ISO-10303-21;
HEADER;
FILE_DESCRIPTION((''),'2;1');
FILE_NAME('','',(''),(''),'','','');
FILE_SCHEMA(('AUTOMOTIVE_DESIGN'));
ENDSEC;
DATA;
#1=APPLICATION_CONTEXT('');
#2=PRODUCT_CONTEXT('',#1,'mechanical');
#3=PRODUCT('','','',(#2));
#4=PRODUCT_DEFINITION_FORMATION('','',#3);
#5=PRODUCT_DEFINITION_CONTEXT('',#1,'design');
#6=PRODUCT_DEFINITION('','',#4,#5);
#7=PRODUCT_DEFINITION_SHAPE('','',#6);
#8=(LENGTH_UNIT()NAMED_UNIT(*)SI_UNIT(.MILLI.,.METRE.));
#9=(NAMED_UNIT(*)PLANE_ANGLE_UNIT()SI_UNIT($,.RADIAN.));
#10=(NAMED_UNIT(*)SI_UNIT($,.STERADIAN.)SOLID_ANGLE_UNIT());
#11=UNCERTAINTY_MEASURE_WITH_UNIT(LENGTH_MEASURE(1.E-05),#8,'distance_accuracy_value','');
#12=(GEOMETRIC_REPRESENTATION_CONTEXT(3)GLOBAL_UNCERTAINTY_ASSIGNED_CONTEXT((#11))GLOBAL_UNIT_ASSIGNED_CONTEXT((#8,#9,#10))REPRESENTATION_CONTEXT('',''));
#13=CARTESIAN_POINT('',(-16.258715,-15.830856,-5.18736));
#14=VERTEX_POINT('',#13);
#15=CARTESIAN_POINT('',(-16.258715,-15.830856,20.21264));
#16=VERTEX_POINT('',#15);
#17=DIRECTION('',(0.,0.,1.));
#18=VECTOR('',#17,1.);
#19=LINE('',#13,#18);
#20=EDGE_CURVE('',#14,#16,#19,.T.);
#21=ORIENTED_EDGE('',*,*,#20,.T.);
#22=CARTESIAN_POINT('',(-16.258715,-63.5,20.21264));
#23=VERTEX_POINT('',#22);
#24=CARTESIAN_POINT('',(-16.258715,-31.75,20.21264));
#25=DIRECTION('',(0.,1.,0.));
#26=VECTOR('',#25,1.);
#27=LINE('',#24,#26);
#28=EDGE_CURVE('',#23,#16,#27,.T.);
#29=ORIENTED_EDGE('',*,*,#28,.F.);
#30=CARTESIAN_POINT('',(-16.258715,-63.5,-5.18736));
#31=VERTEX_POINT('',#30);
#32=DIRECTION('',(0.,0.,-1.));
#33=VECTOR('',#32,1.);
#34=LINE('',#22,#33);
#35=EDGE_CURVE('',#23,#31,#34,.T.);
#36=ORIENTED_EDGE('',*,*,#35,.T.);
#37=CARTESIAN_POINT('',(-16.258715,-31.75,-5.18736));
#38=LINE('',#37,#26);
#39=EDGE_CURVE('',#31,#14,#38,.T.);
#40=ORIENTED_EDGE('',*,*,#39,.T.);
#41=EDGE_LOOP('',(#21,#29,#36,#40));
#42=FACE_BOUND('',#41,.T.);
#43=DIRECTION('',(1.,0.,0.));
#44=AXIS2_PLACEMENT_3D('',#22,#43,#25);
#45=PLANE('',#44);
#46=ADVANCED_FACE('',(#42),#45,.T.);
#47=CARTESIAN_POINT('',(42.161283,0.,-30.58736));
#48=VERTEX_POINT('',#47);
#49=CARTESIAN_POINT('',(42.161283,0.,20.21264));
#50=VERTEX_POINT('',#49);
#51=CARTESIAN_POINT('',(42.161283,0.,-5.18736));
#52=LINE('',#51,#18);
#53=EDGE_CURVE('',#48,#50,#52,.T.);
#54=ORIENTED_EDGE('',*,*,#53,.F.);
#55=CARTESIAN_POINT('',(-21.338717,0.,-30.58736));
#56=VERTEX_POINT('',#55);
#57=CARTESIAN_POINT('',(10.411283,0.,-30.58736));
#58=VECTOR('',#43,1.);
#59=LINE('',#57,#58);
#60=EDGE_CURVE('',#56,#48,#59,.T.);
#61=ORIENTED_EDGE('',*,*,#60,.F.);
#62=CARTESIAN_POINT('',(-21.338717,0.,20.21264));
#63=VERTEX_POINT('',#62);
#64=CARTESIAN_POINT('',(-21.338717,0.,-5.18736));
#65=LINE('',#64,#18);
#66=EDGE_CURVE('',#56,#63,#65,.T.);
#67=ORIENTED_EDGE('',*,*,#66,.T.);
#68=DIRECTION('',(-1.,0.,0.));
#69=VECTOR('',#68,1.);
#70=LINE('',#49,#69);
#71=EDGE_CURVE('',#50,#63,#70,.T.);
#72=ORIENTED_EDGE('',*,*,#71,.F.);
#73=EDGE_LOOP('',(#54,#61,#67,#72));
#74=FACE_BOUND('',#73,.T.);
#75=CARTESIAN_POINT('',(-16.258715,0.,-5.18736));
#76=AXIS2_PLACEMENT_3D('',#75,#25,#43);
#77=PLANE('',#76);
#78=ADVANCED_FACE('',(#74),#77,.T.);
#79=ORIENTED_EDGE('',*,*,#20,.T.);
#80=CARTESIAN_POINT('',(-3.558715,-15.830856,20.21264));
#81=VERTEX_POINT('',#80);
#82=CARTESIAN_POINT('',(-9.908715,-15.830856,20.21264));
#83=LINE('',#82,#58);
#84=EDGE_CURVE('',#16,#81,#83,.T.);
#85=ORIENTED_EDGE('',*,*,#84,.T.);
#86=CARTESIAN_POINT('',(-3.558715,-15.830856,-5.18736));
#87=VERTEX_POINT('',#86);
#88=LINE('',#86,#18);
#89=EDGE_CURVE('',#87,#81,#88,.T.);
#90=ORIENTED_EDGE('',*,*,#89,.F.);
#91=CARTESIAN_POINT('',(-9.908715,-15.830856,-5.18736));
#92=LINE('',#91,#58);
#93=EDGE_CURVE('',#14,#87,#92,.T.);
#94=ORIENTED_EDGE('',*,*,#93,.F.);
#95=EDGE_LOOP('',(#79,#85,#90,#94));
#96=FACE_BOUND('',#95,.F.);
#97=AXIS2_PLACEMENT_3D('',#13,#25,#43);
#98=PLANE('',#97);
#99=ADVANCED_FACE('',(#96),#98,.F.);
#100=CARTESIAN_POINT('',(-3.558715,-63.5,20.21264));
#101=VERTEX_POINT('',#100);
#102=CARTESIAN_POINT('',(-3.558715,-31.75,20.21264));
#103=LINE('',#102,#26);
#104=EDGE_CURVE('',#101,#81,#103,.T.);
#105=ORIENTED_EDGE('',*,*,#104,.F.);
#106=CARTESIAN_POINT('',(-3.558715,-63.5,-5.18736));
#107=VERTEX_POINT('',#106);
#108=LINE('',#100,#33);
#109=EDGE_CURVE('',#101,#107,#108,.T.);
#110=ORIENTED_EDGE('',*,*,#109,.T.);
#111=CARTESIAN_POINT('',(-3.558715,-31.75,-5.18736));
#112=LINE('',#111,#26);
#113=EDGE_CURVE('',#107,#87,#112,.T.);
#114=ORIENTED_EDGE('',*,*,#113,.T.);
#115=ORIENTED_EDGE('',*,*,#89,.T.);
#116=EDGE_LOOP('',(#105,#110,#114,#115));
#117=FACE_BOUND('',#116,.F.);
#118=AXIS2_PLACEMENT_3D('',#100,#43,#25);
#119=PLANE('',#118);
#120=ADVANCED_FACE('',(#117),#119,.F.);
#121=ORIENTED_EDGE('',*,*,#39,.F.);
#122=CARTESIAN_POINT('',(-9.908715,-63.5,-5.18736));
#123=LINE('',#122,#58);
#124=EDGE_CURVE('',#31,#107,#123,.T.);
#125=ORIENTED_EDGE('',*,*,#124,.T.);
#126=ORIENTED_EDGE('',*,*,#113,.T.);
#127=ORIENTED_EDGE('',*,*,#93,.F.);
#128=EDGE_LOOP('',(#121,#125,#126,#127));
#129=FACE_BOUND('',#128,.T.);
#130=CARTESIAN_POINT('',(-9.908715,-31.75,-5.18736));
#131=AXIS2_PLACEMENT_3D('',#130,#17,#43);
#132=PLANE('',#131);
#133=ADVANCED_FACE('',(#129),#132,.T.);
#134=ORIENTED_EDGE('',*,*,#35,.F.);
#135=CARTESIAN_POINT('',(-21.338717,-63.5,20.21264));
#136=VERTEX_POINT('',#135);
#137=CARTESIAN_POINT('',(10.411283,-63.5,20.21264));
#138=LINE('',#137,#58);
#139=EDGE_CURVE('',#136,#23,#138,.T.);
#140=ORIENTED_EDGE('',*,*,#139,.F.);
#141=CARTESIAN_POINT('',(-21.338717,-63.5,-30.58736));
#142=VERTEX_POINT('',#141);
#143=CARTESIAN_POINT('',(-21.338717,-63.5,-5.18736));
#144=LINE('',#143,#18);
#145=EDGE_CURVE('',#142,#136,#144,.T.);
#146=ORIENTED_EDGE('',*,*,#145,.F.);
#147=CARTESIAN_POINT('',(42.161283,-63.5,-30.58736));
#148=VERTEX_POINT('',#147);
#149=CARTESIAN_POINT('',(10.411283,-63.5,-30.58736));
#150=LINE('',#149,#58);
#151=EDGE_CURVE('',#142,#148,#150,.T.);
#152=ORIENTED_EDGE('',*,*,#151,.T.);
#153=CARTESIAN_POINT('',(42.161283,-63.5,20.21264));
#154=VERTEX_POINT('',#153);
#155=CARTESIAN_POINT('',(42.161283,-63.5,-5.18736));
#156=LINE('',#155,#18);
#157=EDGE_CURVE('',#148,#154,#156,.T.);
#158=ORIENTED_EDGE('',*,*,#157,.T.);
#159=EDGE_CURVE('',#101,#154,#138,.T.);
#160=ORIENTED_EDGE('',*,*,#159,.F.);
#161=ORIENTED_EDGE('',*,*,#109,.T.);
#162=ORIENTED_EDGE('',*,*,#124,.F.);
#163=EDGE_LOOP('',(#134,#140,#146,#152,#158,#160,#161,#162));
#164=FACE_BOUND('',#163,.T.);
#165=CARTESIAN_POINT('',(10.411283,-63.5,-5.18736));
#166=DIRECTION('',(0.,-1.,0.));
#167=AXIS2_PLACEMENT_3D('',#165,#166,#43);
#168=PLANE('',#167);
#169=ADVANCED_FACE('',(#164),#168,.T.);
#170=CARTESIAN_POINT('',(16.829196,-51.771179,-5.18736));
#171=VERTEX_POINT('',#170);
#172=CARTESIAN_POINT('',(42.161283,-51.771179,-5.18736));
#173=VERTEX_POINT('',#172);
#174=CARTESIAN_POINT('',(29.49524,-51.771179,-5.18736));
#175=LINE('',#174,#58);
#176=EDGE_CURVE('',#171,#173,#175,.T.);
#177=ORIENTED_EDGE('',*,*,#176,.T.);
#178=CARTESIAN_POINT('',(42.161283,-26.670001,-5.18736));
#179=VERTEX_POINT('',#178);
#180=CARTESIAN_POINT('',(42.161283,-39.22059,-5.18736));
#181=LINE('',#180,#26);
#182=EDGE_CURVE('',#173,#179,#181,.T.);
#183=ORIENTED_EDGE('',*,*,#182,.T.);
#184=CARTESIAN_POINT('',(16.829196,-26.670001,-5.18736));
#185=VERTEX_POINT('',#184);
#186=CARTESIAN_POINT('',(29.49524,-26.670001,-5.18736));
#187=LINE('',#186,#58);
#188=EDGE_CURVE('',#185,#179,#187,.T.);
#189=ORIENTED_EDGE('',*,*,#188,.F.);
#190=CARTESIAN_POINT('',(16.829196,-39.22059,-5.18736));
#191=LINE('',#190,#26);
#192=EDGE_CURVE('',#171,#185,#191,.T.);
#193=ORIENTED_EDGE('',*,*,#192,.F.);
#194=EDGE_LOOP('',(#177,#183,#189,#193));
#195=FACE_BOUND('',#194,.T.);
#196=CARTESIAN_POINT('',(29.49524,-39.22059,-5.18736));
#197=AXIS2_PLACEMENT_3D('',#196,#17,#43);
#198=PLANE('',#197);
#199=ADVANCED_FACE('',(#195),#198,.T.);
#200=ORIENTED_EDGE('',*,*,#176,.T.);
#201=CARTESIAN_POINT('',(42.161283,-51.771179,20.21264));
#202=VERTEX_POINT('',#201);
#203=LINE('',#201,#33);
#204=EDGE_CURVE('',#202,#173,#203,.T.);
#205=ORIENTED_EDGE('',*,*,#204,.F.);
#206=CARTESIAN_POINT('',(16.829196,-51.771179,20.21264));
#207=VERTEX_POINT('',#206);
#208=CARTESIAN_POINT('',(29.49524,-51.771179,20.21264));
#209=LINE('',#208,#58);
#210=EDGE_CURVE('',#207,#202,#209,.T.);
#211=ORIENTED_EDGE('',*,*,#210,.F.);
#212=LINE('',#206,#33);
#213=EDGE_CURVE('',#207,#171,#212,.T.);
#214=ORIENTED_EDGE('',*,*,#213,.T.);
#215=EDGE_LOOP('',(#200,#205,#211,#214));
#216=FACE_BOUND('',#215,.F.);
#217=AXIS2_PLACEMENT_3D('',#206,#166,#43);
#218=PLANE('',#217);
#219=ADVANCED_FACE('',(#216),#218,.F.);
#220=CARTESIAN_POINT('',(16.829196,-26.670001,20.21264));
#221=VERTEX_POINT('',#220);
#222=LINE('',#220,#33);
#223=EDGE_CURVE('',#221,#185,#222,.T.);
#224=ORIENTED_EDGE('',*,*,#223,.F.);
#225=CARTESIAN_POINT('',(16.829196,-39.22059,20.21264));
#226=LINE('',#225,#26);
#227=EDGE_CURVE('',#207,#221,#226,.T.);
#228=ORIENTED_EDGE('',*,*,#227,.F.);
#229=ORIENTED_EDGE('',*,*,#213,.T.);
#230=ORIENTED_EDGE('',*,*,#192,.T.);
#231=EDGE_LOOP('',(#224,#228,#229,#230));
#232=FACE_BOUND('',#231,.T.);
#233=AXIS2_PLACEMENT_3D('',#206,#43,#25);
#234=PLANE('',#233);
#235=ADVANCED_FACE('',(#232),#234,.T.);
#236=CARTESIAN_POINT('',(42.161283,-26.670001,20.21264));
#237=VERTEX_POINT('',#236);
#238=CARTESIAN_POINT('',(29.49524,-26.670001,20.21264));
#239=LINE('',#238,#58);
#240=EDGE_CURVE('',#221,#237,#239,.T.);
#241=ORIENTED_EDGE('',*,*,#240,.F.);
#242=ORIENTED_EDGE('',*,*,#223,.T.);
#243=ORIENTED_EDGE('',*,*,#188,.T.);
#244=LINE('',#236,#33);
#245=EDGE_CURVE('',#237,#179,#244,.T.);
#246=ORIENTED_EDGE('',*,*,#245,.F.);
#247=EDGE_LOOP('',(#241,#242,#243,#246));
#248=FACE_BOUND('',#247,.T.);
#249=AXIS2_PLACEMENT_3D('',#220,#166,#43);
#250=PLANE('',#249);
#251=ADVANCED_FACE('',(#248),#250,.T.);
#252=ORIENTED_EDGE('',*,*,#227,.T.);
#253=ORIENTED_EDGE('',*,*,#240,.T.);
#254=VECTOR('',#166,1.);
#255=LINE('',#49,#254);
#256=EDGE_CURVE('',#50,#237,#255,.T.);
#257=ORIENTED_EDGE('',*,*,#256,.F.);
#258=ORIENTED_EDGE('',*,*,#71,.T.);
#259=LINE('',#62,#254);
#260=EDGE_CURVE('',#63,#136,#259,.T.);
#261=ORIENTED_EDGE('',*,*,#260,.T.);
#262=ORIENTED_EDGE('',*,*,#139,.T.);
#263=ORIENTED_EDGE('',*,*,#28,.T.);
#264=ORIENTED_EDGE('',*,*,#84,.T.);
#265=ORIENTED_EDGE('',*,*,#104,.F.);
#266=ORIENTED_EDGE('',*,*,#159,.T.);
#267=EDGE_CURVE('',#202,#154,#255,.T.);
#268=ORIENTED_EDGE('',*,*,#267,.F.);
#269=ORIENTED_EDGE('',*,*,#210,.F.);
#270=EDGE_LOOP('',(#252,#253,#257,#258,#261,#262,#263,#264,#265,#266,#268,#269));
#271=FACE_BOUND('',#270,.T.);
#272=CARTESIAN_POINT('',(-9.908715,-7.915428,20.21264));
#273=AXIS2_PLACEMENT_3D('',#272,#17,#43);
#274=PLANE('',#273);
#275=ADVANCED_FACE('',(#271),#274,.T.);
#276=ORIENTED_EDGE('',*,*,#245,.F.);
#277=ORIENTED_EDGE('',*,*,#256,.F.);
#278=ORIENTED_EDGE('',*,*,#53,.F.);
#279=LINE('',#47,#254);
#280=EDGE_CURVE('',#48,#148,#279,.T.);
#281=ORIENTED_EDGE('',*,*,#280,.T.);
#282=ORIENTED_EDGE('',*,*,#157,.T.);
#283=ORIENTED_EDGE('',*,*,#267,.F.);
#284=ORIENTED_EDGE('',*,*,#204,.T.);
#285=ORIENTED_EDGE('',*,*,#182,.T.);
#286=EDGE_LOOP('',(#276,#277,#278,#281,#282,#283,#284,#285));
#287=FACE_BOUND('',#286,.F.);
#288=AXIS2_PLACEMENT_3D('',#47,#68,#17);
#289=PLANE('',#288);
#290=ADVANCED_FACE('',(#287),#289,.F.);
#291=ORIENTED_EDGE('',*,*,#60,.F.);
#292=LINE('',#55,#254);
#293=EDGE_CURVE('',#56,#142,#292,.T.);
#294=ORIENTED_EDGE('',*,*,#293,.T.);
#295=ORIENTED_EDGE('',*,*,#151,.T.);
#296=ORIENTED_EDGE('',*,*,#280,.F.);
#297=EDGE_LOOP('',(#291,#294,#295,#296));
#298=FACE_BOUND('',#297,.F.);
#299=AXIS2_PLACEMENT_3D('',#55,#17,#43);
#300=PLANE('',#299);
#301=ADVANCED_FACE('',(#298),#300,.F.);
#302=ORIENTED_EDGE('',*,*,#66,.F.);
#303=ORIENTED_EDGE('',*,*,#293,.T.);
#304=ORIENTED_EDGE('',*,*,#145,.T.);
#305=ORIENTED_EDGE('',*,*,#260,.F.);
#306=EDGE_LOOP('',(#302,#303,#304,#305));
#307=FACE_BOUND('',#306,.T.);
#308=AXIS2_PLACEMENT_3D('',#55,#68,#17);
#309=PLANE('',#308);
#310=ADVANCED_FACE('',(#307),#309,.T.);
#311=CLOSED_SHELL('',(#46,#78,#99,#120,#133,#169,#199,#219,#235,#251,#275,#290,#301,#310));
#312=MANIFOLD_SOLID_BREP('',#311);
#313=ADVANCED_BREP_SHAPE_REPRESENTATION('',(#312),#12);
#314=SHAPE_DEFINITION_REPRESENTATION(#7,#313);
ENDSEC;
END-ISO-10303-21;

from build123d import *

# Parameters (mm, degrees)
F0_W     = 63.5
F0_H     = 50.8
F1_DEPTH = 63.5
F2_W     = 25.3320866376
F2_H     = 25.1011773944
F2_W_2   = 12.7
F2_H_2   = 63.5
F3_DEPTH = 25.4
F4_W     = 12.7
F4_H     = 15.8308558166
F5_DEPTH = 25.4


with BuildPart() as f1:
    # F0 (on Front) → F1 (new body)
    with BuildSketch(Plane.XZ):
        with Locations((10.4112830013, -5.1873601034)):
            Rectangle(F0_W, F0_H)
    extrude(amount=F1_DEPTH)

    # F2 (on face) → F3 (cut)
    with BuildSketch(Plane.XY.offset(20.2126398966)):
        with Locations((29.4952396825, -39.2205901444)):
            Rectangle(F2_W, F2_H)
        with Locations((-9.9087147206, -31.75)):
            Rectangle(F2_W_2, F2_H_2)
    extrude(amount=-F3_DEPTH, mode=Mode.SUBTRACT)

    # F4 (on face) → F5 (join)
    with BuildSketch(Plane.XY.offset(-5.1873601034)):
        with Locations((-9.9087147206, -7.9154279083)):
            Rectangle(F4_W, F4_H)
    extrude(amount=F5_DEPTH)


solid = f1.part
